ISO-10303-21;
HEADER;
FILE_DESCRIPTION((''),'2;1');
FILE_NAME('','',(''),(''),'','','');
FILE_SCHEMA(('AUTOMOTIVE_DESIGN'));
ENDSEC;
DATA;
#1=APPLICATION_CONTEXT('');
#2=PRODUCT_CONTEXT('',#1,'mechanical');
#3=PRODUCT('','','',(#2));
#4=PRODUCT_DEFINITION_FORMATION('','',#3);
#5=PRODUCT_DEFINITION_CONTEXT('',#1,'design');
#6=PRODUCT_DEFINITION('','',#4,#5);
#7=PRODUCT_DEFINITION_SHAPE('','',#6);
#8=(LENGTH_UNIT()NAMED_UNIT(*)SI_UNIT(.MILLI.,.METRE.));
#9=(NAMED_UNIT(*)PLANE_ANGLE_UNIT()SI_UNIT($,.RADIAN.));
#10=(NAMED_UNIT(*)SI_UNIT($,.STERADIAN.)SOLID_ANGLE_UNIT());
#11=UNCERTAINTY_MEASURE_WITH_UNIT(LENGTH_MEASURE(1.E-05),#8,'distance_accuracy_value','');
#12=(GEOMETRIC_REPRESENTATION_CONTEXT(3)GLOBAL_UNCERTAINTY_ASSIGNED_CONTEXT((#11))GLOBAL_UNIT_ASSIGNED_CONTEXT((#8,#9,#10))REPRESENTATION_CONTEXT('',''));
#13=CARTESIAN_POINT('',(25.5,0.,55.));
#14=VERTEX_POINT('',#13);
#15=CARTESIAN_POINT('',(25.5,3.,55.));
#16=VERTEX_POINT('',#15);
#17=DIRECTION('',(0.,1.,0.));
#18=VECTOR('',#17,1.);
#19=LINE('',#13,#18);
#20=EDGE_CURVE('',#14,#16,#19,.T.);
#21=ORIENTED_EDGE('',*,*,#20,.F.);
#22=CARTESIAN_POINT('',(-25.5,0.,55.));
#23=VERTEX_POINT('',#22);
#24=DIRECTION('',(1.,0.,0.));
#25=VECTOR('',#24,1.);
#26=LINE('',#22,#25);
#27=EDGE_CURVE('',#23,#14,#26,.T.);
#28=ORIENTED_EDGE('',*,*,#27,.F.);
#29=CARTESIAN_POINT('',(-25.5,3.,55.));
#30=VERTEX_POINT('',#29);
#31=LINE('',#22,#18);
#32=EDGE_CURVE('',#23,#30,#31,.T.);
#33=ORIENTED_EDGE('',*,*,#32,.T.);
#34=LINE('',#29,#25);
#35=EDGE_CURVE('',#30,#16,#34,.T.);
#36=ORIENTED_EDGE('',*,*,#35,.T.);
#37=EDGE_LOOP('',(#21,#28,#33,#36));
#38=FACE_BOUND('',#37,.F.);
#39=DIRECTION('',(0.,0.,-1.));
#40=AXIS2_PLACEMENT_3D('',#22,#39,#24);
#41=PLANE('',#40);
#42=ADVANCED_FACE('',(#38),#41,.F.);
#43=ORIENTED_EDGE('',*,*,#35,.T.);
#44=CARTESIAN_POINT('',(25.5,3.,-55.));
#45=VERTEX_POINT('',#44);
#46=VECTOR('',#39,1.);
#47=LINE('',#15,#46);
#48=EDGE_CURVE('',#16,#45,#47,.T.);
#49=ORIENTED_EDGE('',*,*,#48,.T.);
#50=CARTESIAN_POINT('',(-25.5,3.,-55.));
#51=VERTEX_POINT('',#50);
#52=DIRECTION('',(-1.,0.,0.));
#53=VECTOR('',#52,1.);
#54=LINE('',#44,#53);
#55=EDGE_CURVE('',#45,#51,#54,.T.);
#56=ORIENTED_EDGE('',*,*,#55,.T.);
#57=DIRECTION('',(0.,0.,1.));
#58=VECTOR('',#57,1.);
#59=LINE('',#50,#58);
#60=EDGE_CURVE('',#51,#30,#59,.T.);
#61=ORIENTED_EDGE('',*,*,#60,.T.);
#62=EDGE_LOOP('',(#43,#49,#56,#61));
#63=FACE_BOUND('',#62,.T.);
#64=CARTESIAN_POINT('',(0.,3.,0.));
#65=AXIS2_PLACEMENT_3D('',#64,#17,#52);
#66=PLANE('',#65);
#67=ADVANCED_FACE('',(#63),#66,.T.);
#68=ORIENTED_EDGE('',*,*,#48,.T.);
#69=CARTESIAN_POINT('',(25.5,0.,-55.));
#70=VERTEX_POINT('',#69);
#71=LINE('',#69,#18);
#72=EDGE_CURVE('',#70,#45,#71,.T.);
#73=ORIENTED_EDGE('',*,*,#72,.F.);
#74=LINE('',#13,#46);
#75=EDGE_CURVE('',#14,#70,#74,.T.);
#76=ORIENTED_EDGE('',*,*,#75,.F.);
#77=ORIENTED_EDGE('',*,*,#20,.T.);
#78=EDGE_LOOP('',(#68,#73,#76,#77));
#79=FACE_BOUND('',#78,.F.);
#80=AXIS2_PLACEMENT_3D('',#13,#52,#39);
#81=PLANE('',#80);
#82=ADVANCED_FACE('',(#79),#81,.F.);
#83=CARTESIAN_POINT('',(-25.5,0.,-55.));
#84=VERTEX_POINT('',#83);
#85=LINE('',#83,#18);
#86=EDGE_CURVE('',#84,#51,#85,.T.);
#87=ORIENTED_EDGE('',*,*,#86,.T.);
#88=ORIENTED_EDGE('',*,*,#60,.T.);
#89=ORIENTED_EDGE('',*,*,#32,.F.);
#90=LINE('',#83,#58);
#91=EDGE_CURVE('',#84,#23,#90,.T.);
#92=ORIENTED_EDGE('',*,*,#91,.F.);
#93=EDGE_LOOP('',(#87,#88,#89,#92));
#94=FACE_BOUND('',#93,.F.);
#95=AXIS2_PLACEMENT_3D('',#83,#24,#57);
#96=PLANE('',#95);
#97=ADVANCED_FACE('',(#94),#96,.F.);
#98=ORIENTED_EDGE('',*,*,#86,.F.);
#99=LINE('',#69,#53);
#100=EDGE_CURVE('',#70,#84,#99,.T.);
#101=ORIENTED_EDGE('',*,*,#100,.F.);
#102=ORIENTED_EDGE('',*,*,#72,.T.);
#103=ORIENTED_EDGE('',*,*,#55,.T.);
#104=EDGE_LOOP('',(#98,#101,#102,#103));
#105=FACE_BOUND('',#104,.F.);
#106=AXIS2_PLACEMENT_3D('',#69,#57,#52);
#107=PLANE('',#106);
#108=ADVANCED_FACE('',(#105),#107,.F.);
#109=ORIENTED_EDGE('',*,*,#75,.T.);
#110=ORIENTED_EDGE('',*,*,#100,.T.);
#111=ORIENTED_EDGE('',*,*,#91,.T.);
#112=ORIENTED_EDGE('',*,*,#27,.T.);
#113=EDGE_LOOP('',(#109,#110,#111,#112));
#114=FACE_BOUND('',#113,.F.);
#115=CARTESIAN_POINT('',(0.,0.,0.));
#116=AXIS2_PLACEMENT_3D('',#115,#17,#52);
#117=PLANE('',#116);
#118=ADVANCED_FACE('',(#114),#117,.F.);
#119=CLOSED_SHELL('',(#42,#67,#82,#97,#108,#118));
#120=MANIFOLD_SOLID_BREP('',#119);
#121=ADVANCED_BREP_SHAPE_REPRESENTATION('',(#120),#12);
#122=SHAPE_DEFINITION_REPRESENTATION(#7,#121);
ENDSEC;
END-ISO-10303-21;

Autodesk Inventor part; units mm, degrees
ref_plane "YZ Plane" through (0, 0, 0) normal (1, 0, 0) x (0, 1, 0)
ref_plane "XZ Plane" through (0, 0, 0) normal (0, 1, 0) x (-1, 0, 0)
ref_plane "XY Plane" through (0, 0, 0) normal (0, 0, 1) x (1, 0, 0)
sketch "Sketch1" plane through (0, 0, 0) normal (0, 1, 0) x (-1, 0, 0)
  line L0 (25.5, 55) -> (-25.5, 55)
  line L1 (-25.5, 55) -> (-25.5, -55)
  line L2 (-25.5, -55) -> (25.5, -55)
  line L3 (25.5, -55) -> (25.5, 55)
  line L4 (25.5, 55) -> (-25.5, -55) construction
  line L5 (-25.5, 55) -> (25.5, -55) construction
  point P0 (0, 0)
  dimension "d0" = 51
  dimension "d1" = 110
extrude "Extrusion1" add sketch "Sketch1" along normal blind 3
properties part number "Welding Glass"
